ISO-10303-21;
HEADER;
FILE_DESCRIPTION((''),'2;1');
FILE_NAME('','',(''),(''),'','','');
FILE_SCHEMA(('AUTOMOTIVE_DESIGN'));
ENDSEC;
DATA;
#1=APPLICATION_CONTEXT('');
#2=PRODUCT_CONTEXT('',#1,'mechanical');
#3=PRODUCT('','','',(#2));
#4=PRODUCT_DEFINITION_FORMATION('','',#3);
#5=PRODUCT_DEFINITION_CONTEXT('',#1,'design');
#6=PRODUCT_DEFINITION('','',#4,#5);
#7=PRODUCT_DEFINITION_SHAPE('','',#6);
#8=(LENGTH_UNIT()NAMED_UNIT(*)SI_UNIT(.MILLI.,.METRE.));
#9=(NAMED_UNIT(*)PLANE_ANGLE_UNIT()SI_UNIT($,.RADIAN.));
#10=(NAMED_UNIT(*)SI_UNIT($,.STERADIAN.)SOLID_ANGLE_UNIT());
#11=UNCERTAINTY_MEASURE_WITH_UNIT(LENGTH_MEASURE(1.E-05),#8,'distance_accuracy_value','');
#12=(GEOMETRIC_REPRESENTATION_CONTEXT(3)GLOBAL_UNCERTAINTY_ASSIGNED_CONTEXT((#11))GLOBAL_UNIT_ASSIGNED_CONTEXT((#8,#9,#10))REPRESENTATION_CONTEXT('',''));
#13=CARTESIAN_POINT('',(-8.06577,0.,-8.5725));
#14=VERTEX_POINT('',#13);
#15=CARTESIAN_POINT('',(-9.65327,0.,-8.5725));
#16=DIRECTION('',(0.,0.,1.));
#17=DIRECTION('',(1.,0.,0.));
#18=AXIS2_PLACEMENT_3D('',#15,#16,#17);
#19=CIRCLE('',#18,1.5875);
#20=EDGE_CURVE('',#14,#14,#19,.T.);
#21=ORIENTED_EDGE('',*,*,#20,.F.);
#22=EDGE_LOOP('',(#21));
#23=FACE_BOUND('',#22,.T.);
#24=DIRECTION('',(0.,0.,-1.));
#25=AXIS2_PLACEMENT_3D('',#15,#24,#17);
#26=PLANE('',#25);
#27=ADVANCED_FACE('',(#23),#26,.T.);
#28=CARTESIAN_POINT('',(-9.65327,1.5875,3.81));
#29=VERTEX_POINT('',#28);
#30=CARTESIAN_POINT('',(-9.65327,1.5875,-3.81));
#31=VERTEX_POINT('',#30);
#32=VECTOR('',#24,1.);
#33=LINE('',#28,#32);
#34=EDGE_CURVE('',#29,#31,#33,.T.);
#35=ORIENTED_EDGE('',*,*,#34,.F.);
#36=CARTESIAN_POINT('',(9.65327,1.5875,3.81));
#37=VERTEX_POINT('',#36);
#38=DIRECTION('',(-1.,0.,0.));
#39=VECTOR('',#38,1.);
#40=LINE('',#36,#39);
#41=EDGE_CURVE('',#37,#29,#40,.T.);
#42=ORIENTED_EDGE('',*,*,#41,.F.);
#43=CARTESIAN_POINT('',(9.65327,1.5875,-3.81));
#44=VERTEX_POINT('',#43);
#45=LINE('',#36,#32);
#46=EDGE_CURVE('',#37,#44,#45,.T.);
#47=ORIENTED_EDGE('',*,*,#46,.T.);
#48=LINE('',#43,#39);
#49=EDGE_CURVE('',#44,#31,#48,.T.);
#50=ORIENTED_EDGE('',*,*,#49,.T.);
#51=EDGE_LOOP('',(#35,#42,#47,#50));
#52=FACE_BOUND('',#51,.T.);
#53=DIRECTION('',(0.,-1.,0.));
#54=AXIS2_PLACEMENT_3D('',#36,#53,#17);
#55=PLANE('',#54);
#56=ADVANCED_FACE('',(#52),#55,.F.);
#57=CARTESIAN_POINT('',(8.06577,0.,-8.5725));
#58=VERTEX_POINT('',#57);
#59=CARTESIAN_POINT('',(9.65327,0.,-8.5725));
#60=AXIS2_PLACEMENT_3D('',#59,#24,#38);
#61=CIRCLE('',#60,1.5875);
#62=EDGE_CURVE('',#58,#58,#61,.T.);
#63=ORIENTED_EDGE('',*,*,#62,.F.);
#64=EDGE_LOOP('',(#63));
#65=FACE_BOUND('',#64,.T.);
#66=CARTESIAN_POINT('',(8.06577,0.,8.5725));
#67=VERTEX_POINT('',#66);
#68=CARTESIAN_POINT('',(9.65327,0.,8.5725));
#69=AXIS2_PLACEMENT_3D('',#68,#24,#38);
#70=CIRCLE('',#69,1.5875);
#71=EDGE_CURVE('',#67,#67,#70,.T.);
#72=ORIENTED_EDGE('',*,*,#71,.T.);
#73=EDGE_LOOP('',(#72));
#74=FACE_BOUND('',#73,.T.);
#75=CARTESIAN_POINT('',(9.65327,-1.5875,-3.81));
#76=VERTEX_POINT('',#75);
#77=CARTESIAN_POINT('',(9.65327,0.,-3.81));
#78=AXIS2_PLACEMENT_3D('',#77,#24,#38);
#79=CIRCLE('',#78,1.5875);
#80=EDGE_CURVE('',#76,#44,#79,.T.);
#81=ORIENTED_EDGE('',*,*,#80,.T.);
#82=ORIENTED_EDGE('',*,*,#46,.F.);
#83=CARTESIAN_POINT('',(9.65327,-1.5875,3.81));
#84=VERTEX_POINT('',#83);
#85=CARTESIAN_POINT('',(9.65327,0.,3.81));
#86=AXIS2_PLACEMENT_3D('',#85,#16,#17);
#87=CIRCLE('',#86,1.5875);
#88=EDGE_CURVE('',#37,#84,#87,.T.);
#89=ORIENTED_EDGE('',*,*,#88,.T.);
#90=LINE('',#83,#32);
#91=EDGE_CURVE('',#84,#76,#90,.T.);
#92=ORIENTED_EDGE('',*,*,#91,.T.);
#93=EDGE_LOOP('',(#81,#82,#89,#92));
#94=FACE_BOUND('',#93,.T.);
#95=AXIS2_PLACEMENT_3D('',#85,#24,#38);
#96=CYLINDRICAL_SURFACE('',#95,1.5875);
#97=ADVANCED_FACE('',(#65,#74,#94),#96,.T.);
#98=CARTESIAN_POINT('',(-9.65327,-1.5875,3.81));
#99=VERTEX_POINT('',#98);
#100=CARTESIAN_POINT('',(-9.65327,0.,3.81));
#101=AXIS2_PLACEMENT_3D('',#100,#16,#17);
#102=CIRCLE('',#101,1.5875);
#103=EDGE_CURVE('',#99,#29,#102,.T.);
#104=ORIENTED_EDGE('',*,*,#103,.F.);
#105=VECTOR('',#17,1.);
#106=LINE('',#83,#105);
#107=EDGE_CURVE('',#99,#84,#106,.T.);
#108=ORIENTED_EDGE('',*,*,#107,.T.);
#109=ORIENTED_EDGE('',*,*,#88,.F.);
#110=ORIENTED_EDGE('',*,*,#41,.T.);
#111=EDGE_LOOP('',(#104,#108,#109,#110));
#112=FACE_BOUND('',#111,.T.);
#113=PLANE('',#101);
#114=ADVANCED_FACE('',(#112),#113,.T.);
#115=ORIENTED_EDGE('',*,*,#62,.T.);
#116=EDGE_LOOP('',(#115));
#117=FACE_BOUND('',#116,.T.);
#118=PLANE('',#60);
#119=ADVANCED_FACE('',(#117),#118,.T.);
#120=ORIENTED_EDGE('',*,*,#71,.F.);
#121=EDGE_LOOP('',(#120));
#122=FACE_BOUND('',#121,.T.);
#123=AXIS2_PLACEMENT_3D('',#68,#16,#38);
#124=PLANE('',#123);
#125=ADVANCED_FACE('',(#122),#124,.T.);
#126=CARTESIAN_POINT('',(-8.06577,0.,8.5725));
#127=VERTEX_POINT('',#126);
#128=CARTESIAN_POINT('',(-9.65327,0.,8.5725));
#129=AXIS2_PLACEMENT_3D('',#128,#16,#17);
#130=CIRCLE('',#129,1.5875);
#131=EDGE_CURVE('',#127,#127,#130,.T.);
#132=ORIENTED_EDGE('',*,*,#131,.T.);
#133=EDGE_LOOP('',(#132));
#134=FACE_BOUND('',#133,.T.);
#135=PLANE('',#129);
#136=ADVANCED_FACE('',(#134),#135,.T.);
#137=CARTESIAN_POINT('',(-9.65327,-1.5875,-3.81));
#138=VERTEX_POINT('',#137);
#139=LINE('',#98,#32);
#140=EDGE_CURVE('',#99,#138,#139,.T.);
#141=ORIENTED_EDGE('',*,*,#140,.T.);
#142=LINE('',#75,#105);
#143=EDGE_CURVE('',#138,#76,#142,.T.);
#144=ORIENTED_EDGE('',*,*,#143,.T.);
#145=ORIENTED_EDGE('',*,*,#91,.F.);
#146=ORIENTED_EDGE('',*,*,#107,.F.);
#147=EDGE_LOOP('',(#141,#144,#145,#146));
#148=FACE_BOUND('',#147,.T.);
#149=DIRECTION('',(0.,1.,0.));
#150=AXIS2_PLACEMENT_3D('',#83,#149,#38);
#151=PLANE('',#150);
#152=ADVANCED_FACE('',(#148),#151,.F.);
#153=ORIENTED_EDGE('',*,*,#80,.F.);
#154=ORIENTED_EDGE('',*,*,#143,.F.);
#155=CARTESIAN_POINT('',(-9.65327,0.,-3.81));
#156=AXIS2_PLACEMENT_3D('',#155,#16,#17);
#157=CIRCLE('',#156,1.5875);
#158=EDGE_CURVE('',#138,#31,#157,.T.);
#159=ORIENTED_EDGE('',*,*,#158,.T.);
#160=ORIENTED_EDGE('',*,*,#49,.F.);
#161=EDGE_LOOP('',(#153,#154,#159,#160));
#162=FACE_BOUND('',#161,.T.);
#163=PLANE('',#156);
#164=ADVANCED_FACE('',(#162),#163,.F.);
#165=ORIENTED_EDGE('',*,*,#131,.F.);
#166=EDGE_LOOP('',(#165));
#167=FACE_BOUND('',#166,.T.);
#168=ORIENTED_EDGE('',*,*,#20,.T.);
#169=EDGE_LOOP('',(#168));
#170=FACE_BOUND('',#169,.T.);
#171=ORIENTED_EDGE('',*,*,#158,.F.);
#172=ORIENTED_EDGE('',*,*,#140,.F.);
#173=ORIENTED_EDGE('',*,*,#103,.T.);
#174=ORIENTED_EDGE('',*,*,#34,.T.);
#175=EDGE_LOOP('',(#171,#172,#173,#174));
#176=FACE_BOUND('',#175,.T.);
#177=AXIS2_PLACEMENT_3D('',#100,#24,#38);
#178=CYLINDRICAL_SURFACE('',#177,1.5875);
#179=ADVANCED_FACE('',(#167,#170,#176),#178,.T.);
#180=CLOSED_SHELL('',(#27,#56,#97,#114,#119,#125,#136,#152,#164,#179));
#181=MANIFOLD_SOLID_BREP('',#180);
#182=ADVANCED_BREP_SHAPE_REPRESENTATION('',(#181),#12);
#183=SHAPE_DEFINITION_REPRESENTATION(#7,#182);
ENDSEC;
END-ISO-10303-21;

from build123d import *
from build123d.topology import SkipClean

# Parameters (mm, degrees)
BOSS_EXTRUDE1_DEPTH     = 3.81
SKETCH2_R               = 1.5875
BOSS_EXTRUDE2_DEPTH     = 4.7625
MIRROR2_COPY_1_SKETCH_R = 1.5875
MIRROR2_COPY_1_DEPTH    = 4.7625


with BuildPart() as part:
    # Sketch1 → Boss-Extrude1 (new body, symmetric)
    with BuildSketch(Plane.XY):
        with BuildLine():
            Line((9.65327, 1.5875), (-9.65327, 1.5875))
            ThreePointArc((-9.65327, 1.5875), (-11.24077, 0), (-9.65327, -1.5875))
            Line((-9.65327, -1.5875), (9.65327, -1.5875))
            ThreePointArc((9.65327, -1.5875), (11.24077, 0), (9.65327, 1.5875))
        make_face()
    extrude(amount=BOSS_EXTRUDE1_DEPTH, both=True)

    # Sketch2 → Boss-Extrude2 (add)
    with SkipClean():  # keep this step's faces unmerged: merging them makes the solid invalid here
        with BuildSketch(Plane.XY.offset(3.81)):
            with Locations(Location((-9.65327, 0, 0), (0, 0, 270))):  # turned: the seam where the file's is
                Circle(SKETCH2_R)
        boss_extrude2 = extrude(amount=BOSS_EXTRUDE2_DEPTH)

    # Mirror1: Boss-Extrude2 across plane
    with SkipClean():  # keep this step's faces unmerged: merging them makes the solid invalid here
        add(boss_extrude2.mirror(Plane(origin=(0, 0, 0), x_dir=(0, 0, 1), z_dir=(1, 0, 0))))

    # Mirror2: Boss-Extrude2 across plane
    with SkipClean():  # keep this step's faces unmerged: merging them makes the solid invalid here
        add(boss_extrude2.mirror(Plane.XY))

    # Mirror2 copy 1 sketch → Mirror2 copy 1 (add)
    with SkipClean():  # keep this step's faces unmerged: merging them makes the solid invalid here
        with BuildSketch(Plane(origin=(0, 0, -3.81), x_dir=(-1, 0, 0), z_dir=(0, 0, -1))):
            with Locations(Location((-9.65327, 0, 0), (0, 0, 270))):  # turned: the seam where the file's is
                Circle(MIRROR2_COPY_1_SKETCH_R)
        extrude(amount=MIRROR2_COPY_1_DEPTH)


solid = part.part
